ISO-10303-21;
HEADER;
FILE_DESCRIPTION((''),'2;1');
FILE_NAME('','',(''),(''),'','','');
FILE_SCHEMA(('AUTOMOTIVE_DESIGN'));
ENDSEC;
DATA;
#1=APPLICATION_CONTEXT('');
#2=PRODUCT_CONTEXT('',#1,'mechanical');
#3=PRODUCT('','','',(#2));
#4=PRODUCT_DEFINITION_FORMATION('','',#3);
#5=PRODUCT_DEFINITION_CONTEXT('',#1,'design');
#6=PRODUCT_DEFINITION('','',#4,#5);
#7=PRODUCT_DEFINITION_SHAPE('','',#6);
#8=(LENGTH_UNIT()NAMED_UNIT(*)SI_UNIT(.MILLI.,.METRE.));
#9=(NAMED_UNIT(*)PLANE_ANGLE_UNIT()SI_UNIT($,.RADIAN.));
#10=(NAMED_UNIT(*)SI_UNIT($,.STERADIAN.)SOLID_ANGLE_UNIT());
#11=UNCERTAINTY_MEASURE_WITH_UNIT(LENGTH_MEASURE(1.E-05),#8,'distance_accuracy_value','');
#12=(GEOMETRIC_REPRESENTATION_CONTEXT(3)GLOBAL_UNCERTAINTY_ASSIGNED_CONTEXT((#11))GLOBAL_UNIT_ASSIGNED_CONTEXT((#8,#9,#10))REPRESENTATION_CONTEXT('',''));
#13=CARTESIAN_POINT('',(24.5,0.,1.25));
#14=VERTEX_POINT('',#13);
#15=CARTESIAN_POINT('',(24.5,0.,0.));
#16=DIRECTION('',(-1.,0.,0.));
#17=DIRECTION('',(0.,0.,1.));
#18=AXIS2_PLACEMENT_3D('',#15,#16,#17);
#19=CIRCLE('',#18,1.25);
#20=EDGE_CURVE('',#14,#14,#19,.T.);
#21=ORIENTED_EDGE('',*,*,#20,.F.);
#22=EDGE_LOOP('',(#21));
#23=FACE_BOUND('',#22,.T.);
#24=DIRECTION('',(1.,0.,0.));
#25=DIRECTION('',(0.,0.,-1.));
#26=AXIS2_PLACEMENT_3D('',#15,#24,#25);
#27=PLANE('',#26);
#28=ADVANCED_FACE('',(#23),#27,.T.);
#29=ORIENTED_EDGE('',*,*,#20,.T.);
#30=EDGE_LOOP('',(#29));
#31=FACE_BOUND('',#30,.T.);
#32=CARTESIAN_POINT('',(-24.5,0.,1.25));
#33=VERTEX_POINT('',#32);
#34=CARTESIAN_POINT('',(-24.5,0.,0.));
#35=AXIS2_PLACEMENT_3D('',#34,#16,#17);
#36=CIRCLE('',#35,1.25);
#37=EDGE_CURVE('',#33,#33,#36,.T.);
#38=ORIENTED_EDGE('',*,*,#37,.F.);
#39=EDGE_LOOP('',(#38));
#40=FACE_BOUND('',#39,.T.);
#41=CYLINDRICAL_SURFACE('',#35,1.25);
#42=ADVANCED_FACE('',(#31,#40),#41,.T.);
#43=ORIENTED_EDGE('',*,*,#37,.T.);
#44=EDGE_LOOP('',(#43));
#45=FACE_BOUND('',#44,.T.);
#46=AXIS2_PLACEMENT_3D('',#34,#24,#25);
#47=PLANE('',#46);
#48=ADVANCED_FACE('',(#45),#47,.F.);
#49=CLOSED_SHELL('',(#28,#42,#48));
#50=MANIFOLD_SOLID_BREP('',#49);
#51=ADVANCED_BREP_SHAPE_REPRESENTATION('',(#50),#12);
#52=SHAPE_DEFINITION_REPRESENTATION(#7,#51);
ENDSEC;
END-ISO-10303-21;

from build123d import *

# Parameters (mm, degrees)
SKETCH_1_W = 49
SKETCH_1_H = 1.25


with BuildPart() as part:
    # Эскиз1 → Повернуть1 (revolve)
    with BuildSketch(Plane.XY, mode=Mode.PRIVATE) as revolve_1_sk:
        with Locations((0, 0.625)):
            Rectangle(SKETCH_1_W, SKETCH_1_H)
    revolve(revolve_1_sk.sketch.rotate(Axis((-24.5, 0, 0), (1, 0, 0)), 90), axis=Axis((-24.5, 0, 0), (1, 0, 0)))


solid = part.part
